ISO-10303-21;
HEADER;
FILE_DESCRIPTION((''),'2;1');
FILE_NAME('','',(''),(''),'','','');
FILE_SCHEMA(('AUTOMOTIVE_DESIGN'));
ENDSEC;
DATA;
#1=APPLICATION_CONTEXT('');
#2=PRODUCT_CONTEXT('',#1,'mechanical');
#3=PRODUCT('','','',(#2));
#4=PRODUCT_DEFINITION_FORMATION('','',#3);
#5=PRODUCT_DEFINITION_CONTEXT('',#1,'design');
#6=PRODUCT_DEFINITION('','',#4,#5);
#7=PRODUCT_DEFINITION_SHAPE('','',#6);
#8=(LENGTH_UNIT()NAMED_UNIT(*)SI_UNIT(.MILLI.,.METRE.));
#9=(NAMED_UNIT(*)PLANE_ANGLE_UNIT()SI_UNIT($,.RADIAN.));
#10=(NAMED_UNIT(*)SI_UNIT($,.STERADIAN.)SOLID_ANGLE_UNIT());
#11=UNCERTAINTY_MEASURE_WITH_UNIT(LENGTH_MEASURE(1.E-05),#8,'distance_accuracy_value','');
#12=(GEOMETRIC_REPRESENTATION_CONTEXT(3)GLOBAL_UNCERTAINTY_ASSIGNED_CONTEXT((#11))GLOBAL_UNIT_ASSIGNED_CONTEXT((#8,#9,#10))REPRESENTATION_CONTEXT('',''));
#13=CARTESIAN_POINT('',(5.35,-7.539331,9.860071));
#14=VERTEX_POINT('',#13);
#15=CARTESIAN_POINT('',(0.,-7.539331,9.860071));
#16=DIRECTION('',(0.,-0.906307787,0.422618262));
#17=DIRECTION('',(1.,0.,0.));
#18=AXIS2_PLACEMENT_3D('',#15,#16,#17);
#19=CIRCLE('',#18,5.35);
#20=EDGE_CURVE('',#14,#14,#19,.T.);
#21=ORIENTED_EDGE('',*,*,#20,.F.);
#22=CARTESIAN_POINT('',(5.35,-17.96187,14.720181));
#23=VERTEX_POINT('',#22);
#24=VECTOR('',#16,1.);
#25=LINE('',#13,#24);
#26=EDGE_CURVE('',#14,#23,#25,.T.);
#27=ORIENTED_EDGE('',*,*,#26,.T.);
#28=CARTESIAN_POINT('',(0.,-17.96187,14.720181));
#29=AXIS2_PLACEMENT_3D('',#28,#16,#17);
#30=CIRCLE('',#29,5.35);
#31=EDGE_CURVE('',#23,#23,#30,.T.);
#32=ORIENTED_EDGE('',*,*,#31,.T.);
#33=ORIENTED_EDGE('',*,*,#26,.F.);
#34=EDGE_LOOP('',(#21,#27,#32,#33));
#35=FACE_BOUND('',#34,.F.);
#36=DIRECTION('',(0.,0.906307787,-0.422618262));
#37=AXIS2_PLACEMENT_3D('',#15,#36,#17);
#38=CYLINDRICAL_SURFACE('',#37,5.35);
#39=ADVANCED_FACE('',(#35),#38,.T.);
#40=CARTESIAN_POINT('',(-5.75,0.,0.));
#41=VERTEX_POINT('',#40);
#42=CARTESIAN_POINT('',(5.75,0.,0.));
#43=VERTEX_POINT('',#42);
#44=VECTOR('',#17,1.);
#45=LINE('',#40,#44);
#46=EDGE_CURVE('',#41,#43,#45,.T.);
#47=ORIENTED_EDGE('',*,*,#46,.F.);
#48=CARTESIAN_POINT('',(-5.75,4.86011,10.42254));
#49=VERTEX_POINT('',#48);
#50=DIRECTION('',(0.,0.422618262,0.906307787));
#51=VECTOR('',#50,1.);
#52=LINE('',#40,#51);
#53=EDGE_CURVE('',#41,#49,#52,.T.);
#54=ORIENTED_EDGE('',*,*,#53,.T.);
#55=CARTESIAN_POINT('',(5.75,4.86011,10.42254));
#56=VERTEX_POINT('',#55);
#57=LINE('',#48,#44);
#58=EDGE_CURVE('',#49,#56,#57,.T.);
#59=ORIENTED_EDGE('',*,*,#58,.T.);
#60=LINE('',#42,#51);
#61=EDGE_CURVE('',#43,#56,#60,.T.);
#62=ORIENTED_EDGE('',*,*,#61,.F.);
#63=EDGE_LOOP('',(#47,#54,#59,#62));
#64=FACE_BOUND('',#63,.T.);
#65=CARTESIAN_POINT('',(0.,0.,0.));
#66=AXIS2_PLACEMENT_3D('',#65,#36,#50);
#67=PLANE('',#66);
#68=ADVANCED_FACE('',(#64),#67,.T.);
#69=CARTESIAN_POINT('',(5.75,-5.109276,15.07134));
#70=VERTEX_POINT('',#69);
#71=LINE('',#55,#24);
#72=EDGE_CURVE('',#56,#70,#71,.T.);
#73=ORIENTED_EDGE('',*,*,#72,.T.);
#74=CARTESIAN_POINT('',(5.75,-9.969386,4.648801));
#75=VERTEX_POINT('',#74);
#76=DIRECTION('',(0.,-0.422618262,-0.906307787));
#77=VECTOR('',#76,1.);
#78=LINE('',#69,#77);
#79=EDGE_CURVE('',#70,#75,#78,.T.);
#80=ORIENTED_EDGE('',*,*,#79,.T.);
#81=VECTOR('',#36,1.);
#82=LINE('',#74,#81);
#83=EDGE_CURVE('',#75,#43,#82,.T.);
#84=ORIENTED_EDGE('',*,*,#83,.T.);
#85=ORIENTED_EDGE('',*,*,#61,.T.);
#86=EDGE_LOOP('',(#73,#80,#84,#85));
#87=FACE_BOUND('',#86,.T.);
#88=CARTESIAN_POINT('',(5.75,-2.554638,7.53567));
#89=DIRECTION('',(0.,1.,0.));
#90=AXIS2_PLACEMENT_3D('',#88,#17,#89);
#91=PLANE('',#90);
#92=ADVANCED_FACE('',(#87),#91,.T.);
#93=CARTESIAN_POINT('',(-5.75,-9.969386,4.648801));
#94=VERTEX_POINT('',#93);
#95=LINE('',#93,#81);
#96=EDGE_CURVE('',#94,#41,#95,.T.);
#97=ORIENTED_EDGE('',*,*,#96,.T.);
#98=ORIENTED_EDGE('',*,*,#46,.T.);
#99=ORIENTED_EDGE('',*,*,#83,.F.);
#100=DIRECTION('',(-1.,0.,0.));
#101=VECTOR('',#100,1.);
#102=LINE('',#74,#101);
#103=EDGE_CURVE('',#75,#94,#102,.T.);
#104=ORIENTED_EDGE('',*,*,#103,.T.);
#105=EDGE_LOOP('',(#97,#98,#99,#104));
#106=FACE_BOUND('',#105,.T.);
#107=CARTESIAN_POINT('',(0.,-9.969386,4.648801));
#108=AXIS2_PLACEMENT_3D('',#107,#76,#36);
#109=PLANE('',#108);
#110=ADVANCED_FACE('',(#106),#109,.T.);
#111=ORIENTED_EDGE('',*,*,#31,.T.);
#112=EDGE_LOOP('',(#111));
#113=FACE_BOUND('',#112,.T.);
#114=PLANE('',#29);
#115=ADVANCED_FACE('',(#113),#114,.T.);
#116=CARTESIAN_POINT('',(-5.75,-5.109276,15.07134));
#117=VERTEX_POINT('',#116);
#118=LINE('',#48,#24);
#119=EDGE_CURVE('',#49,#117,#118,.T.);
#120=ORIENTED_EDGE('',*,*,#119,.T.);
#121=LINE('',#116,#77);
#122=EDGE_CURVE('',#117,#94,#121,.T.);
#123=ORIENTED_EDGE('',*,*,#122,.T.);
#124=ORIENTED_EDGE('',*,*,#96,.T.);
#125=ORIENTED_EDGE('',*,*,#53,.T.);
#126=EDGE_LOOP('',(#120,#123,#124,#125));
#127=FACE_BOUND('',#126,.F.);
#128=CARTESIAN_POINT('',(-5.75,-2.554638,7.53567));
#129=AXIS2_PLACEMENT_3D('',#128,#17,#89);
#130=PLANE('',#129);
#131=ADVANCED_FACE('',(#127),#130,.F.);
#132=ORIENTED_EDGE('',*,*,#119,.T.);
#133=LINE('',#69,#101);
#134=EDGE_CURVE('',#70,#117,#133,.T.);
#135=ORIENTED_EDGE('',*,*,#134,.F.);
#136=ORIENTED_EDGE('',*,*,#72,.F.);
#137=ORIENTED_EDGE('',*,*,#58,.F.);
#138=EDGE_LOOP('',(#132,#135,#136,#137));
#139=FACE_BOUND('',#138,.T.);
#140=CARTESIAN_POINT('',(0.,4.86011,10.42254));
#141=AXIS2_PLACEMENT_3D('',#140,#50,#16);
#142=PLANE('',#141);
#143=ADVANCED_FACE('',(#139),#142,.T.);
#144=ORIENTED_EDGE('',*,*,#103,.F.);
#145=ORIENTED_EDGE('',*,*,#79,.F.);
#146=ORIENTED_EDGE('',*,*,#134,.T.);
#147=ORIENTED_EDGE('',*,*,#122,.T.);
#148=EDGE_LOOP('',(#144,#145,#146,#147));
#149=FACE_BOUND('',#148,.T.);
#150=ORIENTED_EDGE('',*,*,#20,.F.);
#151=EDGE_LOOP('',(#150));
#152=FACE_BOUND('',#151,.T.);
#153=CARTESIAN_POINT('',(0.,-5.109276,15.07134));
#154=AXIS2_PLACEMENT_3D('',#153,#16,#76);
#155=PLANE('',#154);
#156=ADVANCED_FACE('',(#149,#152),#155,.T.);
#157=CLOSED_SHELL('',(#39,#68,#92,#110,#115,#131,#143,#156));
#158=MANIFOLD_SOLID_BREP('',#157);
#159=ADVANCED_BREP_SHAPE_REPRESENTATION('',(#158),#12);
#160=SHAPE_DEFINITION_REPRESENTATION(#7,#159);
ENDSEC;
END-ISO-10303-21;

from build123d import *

# Parameters (mm, degrees)
F1_DEPTH = 5.75
F2_R     = 5.35
F3_DEPTH = 11.5


with BuildPart() as f1:
    # F0 (on Right) → F1 (new body, symmetric)
    with BuildSketch(Plane.YZ):
        Polygon((-9.9693856574, 4.6488008791), (0, 0), (4.86011001, 10.4225395509), (-5.1092756474, 15.0713404301), align=None)
    extrude(amount=F1_DEPTH, both=True)

    # F2 (on face) → F3 (join)
    with BuildSketch(Plane(origin=(0, -9.9693856574, 4.6488008791), x_dir=(1, 0, 0), z_dir=(0, -0.906307787, 0.4226182617))):
        with Locations((0, 5.75)):
            Circle(F2_R)
    extrude(amount=F3_DEPTH)


solid = f1.part
